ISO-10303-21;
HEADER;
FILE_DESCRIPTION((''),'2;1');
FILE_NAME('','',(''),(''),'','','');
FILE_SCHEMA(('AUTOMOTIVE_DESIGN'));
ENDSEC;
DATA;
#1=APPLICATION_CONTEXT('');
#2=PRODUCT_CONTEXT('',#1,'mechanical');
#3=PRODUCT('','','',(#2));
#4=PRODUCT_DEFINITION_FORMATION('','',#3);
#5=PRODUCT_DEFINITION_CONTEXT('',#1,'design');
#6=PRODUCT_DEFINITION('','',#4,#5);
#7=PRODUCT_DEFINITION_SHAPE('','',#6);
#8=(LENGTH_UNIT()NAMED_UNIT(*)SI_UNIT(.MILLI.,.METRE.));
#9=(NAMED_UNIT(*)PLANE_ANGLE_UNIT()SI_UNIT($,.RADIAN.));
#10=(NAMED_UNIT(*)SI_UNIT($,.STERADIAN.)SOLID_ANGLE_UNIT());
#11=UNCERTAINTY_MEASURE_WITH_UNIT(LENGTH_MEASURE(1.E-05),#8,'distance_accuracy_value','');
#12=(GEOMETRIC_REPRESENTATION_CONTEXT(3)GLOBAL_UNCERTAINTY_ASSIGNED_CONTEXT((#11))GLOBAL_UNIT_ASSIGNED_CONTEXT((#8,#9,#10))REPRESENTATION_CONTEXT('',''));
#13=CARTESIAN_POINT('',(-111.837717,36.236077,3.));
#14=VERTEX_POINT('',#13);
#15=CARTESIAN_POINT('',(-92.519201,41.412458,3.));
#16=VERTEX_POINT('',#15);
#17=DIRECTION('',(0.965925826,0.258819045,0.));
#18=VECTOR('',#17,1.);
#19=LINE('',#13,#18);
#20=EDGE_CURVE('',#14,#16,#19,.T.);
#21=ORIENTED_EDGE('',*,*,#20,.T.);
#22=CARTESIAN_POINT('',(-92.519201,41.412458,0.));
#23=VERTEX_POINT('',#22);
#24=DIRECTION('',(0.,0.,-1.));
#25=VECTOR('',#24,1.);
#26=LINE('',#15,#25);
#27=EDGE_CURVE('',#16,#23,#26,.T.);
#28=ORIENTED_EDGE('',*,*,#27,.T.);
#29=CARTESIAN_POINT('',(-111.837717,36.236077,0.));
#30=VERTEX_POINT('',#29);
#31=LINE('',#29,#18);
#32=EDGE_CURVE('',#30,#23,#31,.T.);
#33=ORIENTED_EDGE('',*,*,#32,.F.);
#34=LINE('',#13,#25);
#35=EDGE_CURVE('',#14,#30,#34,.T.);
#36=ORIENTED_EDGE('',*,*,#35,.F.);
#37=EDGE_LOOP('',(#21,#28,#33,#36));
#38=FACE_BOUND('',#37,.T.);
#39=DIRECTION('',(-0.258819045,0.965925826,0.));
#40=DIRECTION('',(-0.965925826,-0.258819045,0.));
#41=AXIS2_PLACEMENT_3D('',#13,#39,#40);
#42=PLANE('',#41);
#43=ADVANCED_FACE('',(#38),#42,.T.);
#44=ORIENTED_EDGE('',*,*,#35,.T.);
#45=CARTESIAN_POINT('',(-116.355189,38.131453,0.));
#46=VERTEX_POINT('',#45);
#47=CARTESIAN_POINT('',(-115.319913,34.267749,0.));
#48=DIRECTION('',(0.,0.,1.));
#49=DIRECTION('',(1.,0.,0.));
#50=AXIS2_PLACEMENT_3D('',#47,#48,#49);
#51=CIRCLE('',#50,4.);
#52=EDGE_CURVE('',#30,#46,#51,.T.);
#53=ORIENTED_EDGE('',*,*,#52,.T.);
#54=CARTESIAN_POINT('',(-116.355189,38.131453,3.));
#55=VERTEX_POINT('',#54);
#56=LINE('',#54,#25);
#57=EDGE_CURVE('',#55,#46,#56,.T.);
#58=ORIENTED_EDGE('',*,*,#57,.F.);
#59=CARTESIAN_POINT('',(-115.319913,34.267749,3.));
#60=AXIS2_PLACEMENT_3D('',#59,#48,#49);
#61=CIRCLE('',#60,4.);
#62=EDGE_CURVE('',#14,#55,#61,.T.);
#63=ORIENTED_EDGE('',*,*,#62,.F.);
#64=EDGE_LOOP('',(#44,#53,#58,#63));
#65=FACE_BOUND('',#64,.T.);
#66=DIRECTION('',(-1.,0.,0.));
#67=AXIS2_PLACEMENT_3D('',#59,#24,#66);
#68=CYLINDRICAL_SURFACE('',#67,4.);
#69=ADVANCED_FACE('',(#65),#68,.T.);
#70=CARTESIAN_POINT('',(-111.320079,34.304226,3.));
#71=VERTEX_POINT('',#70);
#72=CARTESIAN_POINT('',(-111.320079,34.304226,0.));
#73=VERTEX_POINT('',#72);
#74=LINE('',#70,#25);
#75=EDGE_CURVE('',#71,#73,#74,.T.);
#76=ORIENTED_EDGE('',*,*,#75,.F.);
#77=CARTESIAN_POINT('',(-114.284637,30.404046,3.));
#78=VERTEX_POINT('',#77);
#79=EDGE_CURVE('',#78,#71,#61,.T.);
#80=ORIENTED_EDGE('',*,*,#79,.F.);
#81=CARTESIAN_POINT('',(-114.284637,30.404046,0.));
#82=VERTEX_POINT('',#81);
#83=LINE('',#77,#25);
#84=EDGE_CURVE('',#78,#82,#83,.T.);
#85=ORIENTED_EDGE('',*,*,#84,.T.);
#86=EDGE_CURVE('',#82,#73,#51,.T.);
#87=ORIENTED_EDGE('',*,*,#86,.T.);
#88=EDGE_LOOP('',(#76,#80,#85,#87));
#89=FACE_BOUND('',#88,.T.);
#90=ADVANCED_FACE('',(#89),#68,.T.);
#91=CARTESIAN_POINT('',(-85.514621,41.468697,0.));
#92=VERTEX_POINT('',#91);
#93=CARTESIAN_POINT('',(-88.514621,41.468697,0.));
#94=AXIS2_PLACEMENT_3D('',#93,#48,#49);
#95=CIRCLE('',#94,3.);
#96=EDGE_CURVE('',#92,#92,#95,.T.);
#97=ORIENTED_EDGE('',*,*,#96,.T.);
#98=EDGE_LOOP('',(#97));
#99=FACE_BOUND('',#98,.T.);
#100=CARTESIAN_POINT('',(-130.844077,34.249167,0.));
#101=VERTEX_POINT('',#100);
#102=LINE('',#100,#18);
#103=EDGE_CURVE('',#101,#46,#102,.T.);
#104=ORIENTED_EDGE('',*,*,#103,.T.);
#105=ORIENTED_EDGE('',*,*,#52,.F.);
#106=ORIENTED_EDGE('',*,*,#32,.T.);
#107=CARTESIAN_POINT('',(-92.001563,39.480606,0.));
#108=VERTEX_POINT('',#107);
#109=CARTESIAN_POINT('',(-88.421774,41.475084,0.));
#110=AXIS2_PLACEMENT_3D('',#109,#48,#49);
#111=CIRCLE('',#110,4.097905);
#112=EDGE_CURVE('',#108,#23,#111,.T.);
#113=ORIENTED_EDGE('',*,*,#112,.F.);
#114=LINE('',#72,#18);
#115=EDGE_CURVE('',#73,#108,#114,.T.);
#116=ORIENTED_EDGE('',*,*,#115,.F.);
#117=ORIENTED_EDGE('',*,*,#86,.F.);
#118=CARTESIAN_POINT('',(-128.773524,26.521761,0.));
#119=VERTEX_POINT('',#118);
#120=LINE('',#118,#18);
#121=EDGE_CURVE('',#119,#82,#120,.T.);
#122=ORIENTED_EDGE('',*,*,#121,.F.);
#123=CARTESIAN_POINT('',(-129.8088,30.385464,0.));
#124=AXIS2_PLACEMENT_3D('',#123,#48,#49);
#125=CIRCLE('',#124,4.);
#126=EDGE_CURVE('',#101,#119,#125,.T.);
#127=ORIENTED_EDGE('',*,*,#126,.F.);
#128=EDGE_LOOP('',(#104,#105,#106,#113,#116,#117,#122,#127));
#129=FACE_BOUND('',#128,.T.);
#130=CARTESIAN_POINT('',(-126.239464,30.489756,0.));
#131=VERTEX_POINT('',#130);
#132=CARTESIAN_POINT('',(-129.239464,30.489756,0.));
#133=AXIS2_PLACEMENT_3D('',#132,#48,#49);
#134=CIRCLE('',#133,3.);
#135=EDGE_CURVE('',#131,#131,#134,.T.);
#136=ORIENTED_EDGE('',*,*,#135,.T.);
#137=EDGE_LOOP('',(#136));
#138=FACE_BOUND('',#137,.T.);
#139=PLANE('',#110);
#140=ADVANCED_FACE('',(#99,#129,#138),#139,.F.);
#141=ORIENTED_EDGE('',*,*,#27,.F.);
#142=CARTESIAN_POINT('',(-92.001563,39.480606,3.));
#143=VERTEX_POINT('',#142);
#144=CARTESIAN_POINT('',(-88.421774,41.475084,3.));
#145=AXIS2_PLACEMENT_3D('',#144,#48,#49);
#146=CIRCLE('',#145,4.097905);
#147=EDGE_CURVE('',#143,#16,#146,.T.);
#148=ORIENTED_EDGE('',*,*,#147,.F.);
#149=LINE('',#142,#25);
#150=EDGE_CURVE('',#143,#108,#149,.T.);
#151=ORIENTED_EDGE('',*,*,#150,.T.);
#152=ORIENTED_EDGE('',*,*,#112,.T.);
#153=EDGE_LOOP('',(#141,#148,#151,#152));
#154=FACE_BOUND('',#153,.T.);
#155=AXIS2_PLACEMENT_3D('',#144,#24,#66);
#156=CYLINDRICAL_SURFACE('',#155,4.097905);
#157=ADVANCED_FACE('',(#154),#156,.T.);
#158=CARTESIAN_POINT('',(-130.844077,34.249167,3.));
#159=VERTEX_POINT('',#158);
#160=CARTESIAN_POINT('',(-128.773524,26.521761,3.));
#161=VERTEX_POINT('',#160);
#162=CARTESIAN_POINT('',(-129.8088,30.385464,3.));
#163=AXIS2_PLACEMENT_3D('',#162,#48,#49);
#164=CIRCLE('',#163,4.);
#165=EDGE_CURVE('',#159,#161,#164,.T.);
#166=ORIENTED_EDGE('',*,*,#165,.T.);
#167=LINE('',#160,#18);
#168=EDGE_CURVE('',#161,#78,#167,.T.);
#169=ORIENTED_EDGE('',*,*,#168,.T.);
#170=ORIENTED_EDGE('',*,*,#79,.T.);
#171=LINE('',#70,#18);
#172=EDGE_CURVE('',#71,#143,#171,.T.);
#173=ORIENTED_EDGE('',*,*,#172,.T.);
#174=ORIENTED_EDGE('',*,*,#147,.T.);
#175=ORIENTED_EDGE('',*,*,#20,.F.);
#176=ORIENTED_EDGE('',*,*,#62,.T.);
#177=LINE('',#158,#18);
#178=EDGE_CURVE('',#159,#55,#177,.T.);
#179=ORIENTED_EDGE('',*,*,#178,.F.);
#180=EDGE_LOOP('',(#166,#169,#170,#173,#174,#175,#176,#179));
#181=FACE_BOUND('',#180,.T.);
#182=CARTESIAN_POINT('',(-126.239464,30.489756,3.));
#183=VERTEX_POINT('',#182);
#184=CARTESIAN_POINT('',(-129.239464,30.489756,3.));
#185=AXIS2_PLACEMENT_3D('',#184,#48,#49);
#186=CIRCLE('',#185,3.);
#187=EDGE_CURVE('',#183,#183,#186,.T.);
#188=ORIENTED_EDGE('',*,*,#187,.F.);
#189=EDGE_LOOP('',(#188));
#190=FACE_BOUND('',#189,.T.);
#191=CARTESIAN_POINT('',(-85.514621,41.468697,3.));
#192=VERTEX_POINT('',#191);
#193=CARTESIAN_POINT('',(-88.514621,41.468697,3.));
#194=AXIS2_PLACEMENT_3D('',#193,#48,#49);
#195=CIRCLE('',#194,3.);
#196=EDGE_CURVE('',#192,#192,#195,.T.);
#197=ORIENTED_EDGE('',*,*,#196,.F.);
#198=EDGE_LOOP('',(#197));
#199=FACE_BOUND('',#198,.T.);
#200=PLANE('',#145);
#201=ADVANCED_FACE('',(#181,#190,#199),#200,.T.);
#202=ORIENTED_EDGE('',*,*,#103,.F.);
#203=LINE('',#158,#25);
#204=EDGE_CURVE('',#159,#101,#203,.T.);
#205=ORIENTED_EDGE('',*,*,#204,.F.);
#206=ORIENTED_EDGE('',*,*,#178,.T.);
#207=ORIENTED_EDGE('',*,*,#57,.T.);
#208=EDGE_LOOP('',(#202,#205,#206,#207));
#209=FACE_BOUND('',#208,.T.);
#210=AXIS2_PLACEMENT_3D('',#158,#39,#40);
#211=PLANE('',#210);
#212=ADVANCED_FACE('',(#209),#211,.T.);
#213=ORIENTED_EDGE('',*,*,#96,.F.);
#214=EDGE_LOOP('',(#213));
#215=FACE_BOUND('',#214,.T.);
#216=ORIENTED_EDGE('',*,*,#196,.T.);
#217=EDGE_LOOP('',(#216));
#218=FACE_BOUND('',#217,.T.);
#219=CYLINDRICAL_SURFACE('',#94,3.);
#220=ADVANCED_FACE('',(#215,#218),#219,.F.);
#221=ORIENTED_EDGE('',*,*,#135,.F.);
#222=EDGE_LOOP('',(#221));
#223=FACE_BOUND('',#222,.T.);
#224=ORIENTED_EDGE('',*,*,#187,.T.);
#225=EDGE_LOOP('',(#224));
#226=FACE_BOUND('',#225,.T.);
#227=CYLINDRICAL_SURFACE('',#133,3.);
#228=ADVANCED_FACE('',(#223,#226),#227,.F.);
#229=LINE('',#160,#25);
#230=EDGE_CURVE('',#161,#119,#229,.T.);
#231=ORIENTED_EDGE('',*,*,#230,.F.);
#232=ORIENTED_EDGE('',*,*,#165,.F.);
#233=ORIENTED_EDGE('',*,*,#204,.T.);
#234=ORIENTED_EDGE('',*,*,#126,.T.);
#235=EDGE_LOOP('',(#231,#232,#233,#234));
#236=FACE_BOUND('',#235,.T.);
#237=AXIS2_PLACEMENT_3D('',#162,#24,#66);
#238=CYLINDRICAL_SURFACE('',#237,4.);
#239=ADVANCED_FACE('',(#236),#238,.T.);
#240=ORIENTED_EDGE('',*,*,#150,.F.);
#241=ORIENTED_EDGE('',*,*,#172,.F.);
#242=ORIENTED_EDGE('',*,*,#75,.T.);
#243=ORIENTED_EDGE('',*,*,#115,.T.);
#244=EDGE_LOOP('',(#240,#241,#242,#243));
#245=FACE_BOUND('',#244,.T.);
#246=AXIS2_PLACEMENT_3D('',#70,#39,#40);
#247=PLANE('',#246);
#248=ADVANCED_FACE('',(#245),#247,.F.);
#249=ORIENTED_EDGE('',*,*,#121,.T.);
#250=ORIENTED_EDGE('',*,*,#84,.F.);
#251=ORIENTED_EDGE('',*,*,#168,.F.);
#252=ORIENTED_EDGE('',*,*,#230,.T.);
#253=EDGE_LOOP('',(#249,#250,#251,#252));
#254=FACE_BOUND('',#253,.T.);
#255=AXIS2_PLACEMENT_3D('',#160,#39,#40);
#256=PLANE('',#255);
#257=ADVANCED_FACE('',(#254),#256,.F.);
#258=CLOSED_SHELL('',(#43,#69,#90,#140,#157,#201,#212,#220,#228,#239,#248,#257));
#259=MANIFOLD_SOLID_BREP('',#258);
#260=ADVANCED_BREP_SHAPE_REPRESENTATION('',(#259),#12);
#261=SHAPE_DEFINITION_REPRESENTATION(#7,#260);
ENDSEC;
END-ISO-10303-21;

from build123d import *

# Parameters (mm, degrees)
BOSS_EXTRUDE2_DEPTH = 3
SKETCH2_R           = 3
CUT_EXTRUDE1_DEPTH  = 3


with BuildPart() as part:
    # Sketch1 → Boss-Extrude2 (new body)
    with BuildSketch(Plane.XY):
        with BuildLine():
            Line((-130.844076507, 34.249167122), (-116.355189112, 38.131452799))
            ThreePointArc((-116.355189112, 38.131452799), (-113.772345212, 37.956249752), (-111.837717338, 36.236077171))
            Line((-111.837717338, 36.236077171), (-92.519200812, 41.412458074))
            ThreePointArc((-92.519200812, 41.412458074), (-84.463501584, 42.535699996), (-92.001562722, 39.480606421))
            Line((-92.001562722, 39.480606421), (-111.320079248, 34.304225519))
            ThreePointArc((-111.320079248, 34.304225519), (-112.135429844, 31.847198428), (-114.284636752, 30.404046189))
            Line((-114.284636752, 30.404046189), (-128.773524146, 26.521760512))
            ThreePointArc((-128.773524146, 26.521760512), (-133.672503631, 29.350187637), (-130.844076507, 34.249167122))
        make_face()
    extrude(amount=BOSS_EXTRUDE2_DEPTH)

    # Sketch2 → Cut-Extrude1 (cut)
    with BuildSketch(Plane.XY.offset(3)):
        with Locations((-88.51462095, 41.468697455)):
            Circle(SKETCH2_R)
        with Locations((-129.239464025, 30.489755696)):
            Circle(SKETCH2_R)
    extrude(amount=-CUT_EXTRUDE1_DEPTH, mode=Mode.SUBTRACT)


solid = part.part
